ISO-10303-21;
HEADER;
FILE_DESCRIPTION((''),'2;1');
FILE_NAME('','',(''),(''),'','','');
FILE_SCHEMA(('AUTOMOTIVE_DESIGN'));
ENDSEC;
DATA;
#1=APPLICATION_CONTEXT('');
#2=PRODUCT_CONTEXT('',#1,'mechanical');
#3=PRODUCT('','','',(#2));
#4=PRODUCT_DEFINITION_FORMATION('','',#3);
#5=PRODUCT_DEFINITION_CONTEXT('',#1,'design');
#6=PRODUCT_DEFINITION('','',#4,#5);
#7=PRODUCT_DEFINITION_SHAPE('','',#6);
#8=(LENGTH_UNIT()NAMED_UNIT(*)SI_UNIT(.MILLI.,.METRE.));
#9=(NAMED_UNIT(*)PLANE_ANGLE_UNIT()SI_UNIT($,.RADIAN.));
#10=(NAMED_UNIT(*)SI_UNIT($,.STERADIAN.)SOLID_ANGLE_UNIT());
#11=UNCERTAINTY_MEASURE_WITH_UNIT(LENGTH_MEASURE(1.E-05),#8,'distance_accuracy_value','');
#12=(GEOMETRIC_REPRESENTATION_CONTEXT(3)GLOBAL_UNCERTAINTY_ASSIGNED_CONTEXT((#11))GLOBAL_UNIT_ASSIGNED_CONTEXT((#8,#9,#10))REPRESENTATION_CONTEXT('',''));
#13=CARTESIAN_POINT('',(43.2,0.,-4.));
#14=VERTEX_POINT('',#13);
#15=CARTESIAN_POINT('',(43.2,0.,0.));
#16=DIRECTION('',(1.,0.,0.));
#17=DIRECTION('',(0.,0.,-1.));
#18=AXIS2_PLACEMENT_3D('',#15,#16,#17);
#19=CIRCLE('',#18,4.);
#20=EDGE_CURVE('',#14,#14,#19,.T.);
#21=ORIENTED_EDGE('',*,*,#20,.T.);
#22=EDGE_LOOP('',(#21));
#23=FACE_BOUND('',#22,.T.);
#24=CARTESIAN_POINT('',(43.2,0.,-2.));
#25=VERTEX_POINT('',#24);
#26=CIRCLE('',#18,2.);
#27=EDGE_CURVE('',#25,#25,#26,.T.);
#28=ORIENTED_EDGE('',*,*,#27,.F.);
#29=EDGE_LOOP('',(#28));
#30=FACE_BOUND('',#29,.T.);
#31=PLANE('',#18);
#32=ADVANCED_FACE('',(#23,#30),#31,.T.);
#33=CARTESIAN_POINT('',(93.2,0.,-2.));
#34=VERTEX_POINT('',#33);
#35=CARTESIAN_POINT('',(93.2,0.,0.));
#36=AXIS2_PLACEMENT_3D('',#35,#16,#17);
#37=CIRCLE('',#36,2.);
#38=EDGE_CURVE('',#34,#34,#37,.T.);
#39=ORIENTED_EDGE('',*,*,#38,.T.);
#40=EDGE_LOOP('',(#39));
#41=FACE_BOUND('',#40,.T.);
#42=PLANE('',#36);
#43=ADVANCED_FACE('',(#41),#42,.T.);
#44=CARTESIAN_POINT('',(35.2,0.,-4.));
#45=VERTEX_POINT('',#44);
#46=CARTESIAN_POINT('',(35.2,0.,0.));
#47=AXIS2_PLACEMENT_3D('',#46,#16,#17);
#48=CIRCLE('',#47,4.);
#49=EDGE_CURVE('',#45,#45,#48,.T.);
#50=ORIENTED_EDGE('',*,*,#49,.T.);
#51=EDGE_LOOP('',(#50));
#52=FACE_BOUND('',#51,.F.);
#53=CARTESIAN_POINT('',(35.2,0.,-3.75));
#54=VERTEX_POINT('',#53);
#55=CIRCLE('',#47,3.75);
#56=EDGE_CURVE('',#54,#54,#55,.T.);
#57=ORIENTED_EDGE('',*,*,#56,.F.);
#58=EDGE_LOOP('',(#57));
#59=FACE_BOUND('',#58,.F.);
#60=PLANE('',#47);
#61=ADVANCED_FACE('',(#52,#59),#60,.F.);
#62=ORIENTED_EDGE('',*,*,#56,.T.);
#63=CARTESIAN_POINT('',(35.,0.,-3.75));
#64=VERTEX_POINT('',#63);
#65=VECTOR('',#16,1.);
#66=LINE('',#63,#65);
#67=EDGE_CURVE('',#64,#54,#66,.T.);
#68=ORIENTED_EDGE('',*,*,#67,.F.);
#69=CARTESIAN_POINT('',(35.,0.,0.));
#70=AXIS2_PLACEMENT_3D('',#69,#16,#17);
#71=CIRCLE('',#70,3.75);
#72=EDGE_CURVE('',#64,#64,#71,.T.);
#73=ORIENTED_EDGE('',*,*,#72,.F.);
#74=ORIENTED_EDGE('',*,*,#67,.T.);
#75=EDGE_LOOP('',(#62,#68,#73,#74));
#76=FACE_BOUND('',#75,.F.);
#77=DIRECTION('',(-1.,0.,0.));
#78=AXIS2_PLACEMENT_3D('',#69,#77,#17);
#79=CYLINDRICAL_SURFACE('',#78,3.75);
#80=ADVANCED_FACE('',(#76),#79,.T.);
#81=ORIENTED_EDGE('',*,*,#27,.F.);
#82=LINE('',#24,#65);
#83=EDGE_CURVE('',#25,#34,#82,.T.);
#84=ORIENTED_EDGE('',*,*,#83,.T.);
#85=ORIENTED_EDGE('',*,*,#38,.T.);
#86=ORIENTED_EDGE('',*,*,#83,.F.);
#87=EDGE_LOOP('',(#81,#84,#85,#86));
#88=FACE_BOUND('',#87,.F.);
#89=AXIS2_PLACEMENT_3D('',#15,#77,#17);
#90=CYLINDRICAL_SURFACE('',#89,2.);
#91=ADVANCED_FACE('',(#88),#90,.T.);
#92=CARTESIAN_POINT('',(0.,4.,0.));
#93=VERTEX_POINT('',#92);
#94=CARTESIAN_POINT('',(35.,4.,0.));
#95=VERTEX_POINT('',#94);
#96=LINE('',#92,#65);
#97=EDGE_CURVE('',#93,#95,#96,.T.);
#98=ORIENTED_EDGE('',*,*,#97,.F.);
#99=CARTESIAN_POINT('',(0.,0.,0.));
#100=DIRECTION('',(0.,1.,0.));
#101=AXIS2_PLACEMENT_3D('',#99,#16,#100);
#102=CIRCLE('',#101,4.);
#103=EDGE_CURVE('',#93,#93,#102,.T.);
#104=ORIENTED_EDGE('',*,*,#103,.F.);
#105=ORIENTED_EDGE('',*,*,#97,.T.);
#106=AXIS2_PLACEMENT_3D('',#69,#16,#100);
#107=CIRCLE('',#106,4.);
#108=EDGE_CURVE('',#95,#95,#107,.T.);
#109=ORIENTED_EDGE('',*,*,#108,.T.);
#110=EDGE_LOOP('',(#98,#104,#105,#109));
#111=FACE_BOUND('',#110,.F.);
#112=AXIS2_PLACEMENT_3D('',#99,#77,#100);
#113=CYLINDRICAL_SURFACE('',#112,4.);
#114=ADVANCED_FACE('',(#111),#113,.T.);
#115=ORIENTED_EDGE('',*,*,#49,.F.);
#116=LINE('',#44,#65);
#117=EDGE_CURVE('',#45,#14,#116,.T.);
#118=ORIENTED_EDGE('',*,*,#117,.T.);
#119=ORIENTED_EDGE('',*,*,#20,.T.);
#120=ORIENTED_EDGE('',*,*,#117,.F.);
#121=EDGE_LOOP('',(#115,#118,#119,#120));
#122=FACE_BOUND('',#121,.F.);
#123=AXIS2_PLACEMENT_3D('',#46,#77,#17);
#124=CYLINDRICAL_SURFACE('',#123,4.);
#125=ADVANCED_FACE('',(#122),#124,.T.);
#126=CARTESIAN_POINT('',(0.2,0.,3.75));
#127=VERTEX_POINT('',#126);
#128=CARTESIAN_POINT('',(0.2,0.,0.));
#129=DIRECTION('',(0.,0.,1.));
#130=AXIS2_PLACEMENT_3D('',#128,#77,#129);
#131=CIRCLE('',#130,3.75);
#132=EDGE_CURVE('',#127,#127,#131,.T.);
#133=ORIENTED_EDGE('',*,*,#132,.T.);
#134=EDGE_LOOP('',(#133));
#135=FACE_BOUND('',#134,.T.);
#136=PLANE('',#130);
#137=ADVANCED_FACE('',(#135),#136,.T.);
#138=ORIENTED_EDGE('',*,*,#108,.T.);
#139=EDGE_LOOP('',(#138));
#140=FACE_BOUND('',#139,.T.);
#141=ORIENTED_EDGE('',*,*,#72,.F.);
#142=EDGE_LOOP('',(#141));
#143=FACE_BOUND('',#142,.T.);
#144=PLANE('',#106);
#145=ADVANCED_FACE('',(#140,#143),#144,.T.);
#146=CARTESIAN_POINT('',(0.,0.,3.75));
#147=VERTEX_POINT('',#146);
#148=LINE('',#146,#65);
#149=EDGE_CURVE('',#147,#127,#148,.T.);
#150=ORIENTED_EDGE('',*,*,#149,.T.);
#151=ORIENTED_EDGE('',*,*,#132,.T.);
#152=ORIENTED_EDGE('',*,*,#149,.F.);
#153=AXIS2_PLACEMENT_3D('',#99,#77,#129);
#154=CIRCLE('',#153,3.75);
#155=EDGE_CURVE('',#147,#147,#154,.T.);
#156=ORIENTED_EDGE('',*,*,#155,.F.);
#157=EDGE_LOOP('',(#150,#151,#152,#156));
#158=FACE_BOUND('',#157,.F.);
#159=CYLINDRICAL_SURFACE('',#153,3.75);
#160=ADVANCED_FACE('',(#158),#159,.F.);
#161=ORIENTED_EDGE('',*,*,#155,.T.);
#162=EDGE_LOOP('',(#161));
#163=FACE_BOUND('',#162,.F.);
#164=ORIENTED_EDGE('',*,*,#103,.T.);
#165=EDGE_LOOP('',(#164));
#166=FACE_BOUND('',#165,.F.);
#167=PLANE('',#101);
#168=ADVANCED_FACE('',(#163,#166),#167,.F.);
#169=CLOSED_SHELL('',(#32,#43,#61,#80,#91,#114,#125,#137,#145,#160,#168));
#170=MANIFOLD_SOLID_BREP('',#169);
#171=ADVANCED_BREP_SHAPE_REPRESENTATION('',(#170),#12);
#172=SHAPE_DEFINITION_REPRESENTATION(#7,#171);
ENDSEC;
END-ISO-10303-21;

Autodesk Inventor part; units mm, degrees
ref_plane "YZ Plane" through (0, 0, 0) normal (1, 0, 0) x (0, 1, 0)
ref_plane "XZ Plane" through (0, 0, 0) normal (0, 1, 0) x (-1, 0, 0)
ref_plane "XY Plane" through (0, 0, 0) normal (0, 0, 1) x (1, 0, 0)
sketch "Sketch1" plane through (0, 0, 0) normal (1, 0, 0) x (0, 1, 0)
  circle A0 centre (0, 0) radius 4
  dimension "d0" = 8
extrude "Extrusion1" add sketch "Sketch1" along normal blind 35
sketch "Sketch2" plane through (0, 0, 0) normal (-1, 0, 0) x (0, 0, 1)
  circle A0 centre (0, 0) radius 3.75
  dimension "d3" = 7.5
extrude "Extrusion2" cut sketch "Sketch2" against normal blind 0.2
sketch "Sketch3" plane through (35, 0, 0) normal (1, 0, 0) x (0, 0, -1)
  circle A0 centre (0, 0) radius 3.75
  dimension "d6" = 7.5
extrude "Extrusion3" add sketch "Sketch3" along normal blind 0.2
sketch "Sketch4" plane through (35.2, 0, 0) normal (1, 0, 0) x (0, 0, -1)
  circle A0 centre (0, 0) radius 4 projected
  circle A1 centre (0, 0) radius 4
  dimension "d9" = 8
extrude "Extrusion4" add sketch "Sketch4" along normal blind 8
sketch "Sketch5" plane through (43.2, 0, 0) normal (1, 0, 0) x (0, 0, -1)
  circle A0 centre (0, 0) radius 2
  dimension "d12" = 4
extrude "Extrusion5" add sketch "Sketch5" along normal blind 50
properties part number "webcam_new" material "Steel, Paint Finish, Dark Gray, Matte"
